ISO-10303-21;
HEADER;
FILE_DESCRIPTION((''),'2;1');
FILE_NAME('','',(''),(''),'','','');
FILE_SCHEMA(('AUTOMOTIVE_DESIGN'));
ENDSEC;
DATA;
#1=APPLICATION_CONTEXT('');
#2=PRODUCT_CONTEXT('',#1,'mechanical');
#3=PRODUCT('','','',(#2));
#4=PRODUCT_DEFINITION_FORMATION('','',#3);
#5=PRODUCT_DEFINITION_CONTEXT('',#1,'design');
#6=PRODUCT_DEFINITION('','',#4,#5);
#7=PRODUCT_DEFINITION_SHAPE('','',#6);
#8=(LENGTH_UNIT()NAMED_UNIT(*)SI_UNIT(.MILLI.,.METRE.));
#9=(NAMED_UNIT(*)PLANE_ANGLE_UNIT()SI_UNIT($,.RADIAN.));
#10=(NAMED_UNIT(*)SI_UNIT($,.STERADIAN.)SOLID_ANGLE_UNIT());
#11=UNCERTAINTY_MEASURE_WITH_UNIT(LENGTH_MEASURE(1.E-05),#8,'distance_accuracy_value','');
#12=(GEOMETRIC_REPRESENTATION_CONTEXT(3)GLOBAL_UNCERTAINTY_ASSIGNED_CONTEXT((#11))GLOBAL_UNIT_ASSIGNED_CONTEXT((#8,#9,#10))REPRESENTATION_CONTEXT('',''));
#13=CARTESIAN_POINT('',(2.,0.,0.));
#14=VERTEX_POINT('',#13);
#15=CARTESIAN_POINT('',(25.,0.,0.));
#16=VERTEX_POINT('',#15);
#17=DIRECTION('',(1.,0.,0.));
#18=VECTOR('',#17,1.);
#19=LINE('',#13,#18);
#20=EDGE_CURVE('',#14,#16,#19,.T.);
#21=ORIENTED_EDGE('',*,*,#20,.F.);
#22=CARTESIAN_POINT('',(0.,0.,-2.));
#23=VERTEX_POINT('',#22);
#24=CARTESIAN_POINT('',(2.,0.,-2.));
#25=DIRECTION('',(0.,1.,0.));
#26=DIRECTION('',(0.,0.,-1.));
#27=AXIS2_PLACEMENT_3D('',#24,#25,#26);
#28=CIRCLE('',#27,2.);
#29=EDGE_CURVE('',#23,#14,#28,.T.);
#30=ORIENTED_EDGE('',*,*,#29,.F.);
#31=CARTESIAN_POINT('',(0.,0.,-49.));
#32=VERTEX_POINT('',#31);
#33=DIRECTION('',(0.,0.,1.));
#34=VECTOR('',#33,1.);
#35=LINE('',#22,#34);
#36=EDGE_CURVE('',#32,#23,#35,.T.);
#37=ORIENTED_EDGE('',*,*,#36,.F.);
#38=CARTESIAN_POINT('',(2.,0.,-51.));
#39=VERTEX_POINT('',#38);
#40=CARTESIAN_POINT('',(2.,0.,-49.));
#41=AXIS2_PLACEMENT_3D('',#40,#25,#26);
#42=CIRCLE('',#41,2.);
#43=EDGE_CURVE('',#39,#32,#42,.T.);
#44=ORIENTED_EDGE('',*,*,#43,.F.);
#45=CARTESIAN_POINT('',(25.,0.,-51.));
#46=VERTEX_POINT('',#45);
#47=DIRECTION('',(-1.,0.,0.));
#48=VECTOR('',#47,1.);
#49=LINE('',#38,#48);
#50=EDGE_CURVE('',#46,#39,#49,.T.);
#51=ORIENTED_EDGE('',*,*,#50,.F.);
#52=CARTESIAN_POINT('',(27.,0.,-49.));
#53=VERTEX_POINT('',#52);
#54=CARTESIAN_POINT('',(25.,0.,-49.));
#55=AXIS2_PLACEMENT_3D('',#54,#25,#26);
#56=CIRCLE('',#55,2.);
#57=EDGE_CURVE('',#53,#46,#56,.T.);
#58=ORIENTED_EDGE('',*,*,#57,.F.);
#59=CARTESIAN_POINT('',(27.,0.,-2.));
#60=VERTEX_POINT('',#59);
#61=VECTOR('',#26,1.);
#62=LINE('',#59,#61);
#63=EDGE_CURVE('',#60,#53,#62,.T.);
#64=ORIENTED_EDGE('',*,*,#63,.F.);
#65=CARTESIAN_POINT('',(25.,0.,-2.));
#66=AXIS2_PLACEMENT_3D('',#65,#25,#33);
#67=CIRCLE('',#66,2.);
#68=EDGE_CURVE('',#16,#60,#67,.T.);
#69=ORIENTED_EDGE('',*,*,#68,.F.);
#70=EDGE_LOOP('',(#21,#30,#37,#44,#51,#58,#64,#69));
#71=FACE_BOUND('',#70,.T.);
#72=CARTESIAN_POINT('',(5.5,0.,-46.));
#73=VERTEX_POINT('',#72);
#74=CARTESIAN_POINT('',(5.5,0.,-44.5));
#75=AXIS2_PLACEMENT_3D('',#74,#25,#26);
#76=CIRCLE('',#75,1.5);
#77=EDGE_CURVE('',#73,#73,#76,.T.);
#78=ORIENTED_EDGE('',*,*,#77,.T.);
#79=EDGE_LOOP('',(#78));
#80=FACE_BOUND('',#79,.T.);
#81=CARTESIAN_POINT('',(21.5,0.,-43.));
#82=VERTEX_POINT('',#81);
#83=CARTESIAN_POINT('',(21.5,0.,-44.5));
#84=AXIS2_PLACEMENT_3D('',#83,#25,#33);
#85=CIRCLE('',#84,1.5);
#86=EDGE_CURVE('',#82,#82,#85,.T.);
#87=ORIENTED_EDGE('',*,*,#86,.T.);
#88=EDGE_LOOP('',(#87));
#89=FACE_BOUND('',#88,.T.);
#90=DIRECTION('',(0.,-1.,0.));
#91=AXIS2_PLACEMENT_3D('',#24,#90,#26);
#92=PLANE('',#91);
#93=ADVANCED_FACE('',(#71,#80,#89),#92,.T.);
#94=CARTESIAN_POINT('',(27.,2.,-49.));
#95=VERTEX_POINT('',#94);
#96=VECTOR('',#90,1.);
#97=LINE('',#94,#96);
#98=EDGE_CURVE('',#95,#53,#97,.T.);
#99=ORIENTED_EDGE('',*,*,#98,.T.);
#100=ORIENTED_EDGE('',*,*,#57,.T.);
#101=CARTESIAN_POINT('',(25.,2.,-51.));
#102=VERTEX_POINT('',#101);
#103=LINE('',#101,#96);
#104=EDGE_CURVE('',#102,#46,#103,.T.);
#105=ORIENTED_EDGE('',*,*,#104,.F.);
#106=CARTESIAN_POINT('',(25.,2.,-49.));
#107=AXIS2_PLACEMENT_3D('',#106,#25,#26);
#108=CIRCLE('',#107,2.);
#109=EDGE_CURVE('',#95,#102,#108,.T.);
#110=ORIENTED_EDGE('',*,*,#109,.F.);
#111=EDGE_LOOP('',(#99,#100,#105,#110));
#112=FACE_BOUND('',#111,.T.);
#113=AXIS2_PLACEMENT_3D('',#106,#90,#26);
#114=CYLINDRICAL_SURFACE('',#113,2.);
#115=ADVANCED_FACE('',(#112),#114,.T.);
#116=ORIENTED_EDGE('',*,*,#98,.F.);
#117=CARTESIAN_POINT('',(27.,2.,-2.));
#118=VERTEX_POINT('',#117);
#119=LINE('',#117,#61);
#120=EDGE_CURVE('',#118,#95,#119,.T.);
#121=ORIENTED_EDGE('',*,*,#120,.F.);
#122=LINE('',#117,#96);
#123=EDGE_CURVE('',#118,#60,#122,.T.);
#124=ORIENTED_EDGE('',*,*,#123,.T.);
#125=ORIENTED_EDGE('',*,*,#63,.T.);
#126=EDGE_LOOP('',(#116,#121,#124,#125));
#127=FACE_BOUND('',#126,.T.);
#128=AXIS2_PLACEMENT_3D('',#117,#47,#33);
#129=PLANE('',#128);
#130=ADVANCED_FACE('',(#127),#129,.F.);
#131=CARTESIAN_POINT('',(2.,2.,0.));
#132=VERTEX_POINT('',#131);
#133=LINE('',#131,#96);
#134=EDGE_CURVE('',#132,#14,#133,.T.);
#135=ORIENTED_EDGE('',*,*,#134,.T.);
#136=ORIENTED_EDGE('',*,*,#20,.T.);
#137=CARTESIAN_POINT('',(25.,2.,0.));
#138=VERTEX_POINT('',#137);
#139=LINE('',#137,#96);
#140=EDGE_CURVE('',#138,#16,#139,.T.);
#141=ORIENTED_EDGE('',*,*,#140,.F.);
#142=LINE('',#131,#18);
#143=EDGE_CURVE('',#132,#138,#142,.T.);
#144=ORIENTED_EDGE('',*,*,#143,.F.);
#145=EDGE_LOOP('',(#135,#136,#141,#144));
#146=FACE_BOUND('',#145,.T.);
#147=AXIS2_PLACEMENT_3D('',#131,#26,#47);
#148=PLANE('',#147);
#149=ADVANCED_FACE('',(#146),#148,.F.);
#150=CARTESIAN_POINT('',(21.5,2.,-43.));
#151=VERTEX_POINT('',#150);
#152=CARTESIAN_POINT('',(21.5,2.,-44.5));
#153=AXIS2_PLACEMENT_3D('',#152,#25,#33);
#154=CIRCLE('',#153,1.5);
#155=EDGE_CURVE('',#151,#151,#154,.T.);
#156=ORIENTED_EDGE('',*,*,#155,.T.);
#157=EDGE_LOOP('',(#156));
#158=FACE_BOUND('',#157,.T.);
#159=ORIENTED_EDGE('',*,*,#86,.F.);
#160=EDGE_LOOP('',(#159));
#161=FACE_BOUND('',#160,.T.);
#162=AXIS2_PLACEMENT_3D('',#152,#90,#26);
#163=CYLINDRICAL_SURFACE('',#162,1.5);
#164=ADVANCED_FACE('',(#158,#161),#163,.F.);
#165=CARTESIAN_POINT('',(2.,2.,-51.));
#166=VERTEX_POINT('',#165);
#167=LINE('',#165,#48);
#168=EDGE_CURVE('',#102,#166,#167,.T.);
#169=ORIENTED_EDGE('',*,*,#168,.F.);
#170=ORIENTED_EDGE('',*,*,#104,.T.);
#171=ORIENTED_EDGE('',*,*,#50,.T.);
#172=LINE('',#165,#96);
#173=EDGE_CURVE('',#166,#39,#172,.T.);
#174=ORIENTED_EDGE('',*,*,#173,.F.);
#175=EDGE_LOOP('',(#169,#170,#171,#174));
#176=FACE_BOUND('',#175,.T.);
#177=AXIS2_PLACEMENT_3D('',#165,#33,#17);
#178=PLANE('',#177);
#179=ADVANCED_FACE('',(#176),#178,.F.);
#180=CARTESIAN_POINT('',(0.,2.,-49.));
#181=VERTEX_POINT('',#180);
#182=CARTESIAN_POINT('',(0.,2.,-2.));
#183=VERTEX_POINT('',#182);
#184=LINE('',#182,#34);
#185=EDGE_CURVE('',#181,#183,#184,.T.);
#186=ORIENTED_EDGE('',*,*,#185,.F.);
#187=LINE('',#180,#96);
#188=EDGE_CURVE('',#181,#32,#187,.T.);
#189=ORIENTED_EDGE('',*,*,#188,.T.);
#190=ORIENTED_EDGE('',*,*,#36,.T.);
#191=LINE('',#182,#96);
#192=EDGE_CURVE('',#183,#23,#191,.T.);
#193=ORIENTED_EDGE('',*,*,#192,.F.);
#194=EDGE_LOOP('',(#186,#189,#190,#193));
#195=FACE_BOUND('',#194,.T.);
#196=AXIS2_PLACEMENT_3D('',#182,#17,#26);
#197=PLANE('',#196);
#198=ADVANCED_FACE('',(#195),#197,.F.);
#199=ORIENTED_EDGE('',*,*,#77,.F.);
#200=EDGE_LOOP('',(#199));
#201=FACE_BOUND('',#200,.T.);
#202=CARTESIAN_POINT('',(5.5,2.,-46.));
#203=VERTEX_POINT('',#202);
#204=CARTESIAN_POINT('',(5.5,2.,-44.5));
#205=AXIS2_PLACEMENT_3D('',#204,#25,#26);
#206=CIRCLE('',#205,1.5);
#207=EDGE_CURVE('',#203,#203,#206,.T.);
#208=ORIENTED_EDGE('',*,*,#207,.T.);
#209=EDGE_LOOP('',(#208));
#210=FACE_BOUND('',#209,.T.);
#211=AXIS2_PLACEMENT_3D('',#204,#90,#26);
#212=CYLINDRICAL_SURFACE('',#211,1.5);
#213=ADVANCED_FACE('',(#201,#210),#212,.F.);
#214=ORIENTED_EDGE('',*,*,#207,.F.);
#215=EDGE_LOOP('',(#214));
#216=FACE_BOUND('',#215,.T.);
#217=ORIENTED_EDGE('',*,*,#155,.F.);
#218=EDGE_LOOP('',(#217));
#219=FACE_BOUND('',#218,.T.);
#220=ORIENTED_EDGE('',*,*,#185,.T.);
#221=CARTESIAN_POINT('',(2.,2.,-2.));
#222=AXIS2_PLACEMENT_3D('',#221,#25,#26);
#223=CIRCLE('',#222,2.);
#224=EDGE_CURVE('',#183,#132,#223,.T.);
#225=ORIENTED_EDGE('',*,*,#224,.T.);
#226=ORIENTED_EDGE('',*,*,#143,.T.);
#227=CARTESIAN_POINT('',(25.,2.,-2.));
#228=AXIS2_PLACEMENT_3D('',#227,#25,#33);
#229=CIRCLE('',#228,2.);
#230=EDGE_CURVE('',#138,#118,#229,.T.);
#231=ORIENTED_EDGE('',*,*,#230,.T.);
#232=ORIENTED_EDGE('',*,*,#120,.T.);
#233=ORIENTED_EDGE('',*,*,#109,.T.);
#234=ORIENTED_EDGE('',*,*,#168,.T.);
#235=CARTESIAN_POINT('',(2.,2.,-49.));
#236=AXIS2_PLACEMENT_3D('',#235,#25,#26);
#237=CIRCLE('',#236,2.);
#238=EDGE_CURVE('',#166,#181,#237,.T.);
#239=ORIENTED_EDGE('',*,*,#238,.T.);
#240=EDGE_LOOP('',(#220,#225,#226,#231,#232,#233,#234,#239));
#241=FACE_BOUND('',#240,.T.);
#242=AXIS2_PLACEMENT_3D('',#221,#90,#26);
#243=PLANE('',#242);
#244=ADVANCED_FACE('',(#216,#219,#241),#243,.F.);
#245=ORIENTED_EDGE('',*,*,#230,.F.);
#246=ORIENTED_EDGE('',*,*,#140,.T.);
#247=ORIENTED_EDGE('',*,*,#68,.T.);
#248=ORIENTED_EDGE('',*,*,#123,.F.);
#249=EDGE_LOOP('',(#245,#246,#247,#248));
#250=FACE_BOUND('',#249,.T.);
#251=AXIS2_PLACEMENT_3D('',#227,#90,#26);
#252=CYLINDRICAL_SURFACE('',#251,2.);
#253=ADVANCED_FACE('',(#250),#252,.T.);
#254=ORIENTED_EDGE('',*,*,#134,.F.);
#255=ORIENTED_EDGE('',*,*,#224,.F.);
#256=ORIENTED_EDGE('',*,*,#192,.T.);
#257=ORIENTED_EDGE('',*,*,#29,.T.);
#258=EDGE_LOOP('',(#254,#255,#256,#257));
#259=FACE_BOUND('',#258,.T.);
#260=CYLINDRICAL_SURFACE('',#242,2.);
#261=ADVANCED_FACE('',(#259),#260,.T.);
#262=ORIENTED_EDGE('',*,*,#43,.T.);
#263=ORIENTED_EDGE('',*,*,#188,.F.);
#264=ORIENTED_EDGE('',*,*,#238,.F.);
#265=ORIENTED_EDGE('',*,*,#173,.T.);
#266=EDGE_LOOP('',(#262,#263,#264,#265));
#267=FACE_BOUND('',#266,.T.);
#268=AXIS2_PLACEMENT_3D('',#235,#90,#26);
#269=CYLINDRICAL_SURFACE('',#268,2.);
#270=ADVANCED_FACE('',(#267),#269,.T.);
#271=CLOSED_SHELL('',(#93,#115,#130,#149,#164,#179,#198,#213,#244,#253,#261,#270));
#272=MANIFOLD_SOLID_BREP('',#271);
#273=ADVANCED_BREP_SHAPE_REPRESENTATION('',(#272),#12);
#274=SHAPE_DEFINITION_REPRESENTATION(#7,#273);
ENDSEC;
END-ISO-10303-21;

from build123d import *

# Parameters (mm, degrees)
SKETCH1_R           = 1.5
BOSS_EXTRUDE1_DEPTH = 2


with BuildPart() as part:
    # Sketch1 → Boss-Extrude1 (new body)
    with BuildSketch(Plane(origin=(0, 0, 0), x_dir=(1, 0, 0), z_dir=(0, 1, 0))):
        with BuildLine():
            Line((2, 0), (25, 0))
            ThreePointArc((25, 0), (26.414213562, 0.585786438), (27, 2))
            Line((27, 2), (27, 49))
            ThreePointArc((27, 49), (26.414213562, 50.414213562), (25, 51))
            Line((25, 51), (2, 51))
            ThreePointArc((2, 51), (0.585786438, 50.414213562), (0, 49))
            Line((0, 49), (0, 2))
            ThreePointArc((0, 2), (0.585786438, 0.585786438), (2, 0))
        make_face()
        with Locations(Location((21.5, 44.5, 0), (0, 0, 270))):
            Circle(SKETCH1_R, mode=Mode.SUBTRACT)
        with Locations(Location((5.5, 44.5, 0), (0, 0, 90))):
            Circle(SKETCH1_R, mode=Mode.SUBTRACT)
    extrude(amount=BOSS_EXTRUDE1_DEPTH)


solid = part.part
